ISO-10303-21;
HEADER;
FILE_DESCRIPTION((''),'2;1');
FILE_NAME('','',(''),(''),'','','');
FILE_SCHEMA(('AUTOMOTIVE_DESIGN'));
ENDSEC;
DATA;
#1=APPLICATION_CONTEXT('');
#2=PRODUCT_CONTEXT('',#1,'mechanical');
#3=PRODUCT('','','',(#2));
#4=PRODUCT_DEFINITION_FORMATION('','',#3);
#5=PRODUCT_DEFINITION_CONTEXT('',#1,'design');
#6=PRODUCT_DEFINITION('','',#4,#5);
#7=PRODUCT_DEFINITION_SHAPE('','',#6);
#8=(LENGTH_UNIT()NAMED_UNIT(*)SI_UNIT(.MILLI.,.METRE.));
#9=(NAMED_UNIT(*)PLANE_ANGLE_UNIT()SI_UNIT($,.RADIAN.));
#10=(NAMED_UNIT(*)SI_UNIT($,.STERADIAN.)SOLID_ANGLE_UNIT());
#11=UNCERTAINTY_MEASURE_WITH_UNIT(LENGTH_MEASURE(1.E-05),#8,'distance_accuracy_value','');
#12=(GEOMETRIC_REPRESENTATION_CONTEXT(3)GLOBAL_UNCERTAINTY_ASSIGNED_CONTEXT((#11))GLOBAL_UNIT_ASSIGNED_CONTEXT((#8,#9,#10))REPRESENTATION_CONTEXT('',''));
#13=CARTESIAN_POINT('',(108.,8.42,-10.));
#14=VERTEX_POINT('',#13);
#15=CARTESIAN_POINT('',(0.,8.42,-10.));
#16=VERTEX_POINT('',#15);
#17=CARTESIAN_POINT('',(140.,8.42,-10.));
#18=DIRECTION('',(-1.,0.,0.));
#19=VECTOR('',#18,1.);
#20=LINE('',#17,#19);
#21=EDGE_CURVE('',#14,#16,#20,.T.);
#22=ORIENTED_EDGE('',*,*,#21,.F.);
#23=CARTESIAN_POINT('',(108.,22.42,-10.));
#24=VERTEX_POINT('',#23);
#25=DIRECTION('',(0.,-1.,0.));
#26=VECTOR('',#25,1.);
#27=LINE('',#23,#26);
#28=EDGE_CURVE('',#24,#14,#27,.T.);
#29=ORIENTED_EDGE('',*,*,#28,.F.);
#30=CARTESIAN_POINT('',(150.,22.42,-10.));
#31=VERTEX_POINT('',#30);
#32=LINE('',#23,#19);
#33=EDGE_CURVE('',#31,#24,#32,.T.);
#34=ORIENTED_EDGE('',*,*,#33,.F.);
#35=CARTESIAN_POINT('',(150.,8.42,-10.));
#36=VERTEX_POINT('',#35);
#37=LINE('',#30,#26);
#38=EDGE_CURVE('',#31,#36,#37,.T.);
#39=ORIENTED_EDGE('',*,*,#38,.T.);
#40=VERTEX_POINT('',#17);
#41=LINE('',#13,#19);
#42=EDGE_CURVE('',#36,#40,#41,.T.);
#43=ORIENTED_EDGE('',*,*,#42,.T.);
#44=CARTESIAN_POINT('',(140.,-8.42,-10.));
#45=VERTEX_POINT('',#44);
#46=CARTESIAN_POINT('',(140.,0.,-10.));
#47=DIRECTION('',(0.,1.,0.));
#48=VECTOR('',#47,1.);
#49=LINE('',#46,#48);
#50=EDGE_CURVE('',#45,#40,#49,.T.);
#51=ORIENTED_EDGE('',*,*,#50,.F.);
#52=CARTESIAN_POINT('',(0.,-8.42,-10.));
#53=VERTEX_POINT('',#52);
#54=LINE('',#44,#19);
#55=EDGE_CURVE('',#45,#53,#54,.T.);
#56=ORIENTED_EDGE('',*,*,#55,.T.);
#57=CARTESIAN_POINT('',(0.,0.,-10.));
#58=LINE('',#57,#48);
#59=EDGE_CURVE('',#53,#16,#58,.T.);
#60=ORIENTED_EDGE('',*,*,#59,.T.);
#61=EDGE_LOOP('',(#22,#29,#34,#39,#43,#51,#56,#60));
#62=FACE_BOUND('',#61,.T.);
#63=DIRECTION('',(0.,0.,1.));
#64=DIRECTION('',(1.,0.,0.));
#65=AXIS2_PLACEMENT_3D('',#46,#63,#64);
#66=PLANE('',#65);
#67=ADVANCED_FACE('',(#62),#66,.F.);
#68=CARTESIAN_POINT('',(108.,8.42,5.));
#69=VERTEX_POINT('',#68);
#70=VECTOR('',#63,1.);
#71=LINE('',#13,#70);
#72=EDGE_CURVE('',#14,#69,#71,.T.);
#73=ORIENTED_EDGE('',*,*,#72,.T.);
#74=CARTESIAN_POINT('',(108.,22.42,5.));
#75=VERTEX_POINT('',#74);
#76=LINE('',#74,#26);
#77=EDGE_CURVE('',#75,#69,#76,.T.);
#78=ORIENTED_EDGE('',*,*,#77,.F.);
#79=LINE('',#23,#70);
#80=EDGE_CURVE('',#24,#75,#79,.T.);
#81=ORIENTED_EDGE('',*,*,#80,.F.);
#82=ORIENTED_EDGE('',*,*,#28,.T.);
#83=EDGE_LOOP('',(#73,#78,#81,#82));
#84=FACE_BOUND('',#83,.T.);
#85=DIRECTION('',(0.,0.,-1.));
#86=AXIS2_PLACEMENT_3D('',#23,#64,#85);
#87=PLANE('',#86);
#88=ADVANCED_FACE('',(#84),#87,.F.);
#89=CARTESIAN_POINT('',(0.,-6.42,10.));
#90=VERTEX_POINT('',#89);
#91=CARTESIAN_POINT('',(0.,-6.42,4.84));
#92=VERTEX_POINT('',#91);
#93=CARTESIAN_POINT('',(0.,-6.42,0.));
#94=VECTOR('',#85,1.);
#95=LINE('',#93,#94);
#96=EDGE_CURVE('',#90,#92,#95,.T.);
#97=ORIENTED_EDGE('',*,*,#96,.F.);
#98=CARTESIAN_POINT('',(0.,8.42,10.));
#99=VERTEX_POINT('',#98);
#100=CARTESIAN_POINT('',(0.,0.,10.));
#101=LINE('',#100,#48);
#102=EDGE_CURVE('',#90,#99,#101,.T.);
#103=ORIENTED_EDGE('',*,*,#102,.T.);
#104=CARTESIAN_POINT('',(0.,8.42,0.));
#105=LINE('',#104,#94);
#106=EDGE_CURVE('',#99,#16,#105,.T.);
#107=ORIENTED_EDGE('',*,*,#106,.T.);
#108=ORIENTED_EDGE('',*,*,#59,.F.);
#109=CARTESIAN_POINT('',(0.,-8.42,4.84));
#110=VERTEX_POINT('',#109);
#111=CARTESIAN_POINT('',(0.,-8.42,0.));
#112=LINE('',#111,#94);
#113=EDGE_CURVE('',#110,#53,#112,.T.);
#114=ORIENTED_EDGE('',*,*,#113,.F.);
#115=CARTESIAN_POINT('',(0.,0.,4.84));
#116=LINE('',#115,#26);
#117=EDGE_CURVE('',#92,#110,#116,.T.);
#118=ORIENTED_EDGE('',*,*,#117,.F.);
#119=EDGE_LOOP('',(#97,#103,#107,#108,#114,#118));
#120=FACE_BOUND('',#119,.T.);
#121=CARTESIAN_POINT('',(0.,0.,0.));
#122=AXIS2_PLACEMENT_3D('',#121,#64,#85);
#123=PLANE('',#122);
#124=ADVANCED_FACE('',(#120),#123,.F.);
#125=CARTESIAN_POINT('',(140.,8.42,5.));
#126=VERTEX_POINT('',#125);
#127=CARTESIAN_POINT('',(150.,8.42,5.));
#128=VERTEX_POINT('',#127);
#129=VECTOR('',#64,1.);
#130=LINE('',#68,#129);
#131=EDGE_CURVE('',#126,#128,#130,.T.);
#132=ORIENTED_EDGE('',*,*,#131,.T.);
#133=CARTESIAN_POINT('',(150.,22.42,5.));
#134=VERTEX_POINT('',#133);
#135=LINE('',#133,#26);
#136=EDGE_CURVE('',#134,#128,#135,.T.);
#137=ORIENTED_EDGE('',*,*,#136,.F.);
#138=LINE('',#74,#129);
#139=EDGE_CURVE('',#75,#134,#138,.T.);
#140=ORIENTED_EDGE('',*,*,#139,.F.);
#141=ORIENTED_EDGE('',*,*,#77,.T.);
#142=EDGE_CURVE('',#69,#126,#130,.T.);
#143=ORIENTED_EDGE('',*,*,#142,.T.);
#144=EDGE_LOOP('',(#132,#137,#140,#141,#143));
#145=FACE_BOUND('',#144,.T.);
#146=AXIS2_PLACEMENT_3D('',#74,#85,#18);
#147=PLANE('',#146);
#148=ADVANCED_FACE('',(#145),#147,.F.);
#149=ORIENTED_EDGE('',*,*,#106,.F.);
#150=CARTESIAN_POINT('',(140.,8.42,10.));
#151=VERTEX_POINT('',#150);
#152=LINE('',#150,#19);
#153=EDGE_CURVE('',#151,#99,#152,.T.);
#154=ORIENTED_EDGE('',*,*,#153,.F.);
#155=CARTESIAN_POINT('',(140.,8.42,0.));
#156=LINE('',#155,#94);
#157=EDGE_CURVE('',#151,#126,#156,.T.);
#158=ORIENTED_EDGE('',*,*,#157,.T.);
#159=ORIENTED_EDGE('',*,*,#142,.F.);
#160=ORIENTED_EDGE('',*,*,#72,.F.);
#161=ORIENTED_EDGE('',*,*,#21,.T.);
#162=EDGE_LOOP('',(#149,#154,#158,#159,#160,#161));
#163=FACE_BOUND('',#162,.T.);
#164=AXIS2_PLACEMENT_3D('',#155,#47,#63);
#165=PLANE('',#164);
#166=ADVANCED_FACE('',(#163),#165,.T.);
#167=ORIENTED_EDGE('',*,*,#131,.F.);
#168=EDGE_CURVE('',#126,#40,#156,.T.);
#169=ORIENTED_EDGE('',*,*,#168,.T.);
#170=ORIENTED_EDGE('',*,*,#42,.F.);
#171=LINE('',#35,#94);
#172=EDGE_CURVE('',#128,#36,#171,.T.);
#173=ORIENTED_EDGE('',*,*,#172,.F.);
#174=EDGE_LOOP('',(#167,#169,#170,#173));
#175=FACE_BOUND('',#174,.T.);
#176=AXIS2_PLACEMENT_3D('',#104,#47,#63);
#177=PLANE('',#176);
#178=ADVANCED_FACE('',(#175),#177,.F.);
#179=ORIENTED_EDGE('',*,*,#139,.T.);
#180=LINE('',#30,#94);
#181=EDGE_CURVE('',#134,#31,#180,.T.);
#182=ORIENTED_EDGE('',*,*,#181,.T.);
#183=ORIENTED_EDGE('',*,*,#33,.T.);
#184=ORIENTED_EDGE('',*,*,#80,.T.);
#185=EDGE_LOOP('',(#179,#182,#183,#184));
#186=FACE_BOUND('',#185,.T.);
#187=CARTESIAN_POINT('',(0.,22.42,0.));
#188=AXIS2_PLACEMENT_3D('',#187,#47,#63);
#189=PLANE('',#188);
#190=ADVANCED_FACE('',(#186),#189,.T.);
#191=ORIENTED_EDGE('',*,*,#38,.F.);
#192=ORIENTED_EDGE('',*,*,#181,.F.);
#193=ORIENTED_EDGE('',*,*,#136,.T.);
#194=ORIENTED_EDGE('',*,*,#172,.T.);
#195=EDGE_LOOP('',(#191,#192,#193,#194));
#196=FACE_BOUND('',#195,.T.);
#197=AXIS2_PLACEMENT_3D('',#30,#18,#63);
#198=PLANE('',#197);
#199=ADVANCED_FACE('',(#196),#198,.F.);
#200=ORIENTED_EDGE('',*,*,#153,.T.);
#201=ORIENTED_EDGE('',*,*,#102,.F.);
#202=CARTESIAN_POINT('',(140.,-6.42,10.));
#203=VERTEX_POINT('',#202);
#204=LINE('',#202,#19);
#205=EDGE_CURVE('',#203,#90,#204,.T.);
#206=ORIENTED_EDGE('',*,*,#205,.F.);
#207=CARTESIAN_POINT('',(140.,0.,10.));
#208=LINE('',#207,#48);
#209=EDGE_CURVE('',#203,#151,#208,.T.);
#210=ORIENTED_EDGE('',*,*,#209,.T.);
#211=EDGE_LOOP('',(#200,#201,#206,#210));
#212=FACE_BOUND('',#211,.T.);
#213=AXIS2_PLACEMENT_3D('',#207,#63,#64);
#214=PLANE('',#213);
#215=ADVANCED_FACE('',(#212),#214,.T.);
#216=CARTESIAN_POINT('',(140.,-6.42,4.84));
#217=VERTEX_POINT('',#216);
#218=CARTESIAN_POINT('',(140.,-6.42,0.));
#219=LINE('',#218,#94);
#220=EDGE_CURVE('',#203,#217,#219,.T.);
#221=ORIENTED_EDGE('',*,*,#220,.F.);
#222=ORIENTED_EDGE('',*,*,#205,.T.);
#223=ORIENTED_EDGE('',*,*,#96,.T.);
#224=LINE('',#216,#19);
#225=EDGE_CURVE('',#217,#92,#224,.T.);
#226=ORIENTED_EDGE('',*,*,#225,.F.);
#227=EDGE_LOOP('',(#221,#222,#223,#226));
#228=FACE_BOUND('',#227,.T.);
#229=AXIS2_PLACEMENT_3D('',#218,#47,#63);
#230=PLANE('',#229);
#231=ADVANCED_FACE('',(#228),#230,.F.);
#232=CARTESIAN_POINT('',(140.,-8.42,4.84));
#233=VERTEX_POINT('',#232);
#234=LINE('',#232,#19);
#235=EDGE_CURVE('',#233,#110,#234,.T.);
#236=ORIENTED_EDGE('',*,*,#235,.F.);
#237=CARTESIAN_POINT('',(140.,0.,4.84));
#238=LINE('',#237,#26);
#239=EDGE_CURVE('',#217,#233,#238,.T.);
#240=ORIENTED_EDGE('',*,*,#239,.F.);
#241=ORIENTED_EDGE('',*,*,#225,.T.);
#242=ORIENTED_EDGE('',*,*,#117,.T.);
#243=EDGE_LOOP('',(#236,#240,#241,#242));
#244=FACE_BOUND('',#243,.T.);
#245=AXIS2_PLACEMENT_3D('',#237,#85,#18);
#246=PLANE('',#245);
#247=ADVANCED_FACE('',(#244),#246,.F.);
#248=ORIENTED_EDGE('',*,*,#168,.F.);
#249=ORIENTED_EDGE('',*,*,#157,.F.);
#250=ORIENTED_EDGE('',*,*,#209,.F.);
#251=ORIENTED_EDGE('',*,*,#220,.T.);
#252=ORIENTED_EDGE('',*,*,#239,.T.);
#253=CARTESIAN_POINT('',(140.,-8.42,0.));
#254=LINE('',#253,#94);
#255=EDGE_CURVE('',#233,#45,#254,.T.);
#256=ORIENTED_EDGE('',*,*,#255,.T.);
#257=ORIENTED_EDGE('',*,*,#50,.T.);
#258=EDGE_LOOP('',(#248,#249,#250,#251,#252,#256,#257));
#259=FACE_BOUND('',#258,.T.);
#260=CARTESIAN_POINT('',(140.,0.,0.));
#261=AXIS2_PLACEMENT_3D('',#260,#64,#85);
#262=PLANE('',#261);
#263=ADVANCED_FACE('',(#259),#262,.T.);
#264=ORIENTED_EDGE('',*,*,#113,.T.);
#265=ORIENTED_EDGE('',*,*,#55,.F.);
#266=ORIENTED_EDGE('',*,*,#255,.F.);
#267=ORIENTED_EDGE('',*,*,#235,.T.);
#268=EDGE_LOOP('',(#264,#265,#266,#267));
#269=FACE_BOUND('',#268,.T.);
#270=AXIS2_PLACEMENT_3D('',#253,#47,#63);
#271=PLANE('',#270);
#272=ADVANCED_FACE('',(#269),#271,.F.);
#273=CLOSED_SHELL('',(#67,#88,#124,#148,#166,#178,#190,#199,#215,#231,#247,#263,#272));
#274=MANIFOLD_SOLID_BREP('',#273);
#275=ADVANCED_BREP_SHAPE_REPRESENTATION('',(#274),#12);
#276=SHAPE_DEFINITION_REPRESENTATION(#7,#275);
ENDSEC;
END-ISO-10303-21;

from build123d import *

# Parameters (mm, degrees)
BOSS_EXTRUDE1_DEPTH = 140
SKETCH2_W           = 42
SKETCH2_H           = 15
BOSS_EXTRUDE2_DEPTH = 14


with BuildPart() as part:
    # Sketch1 → Boss-Extrude1 (new body)
    with BuildSketch(Plane(origin=(0, 0, 0), x_dir=(0, 0, -1), z_dir=(1, 0, 0))):
        Polygon((-10, 8.42), (-10, -6.42), (-4.84, -6.42), (-4.84, -8.42), (10, -8.42), (10, 8.42), align=None)
    extrude(amount=BOSS_EXTRUDE1_DEPTH)

    # Sketch2 → Boss-Extrude2 (add)
    with BuildSketch(Plane(origin=(0, 8.42, 0), x_dir=(1, 0, 0), z_dir=(0, 1, 0))):
        with Locations((129, 2.5)):
            Rectangle(SKETCH2_W, SKETCH2_H)
    extrude(amount=BOSS_EXTRUDE2_DEPTH)


solid = part.part
